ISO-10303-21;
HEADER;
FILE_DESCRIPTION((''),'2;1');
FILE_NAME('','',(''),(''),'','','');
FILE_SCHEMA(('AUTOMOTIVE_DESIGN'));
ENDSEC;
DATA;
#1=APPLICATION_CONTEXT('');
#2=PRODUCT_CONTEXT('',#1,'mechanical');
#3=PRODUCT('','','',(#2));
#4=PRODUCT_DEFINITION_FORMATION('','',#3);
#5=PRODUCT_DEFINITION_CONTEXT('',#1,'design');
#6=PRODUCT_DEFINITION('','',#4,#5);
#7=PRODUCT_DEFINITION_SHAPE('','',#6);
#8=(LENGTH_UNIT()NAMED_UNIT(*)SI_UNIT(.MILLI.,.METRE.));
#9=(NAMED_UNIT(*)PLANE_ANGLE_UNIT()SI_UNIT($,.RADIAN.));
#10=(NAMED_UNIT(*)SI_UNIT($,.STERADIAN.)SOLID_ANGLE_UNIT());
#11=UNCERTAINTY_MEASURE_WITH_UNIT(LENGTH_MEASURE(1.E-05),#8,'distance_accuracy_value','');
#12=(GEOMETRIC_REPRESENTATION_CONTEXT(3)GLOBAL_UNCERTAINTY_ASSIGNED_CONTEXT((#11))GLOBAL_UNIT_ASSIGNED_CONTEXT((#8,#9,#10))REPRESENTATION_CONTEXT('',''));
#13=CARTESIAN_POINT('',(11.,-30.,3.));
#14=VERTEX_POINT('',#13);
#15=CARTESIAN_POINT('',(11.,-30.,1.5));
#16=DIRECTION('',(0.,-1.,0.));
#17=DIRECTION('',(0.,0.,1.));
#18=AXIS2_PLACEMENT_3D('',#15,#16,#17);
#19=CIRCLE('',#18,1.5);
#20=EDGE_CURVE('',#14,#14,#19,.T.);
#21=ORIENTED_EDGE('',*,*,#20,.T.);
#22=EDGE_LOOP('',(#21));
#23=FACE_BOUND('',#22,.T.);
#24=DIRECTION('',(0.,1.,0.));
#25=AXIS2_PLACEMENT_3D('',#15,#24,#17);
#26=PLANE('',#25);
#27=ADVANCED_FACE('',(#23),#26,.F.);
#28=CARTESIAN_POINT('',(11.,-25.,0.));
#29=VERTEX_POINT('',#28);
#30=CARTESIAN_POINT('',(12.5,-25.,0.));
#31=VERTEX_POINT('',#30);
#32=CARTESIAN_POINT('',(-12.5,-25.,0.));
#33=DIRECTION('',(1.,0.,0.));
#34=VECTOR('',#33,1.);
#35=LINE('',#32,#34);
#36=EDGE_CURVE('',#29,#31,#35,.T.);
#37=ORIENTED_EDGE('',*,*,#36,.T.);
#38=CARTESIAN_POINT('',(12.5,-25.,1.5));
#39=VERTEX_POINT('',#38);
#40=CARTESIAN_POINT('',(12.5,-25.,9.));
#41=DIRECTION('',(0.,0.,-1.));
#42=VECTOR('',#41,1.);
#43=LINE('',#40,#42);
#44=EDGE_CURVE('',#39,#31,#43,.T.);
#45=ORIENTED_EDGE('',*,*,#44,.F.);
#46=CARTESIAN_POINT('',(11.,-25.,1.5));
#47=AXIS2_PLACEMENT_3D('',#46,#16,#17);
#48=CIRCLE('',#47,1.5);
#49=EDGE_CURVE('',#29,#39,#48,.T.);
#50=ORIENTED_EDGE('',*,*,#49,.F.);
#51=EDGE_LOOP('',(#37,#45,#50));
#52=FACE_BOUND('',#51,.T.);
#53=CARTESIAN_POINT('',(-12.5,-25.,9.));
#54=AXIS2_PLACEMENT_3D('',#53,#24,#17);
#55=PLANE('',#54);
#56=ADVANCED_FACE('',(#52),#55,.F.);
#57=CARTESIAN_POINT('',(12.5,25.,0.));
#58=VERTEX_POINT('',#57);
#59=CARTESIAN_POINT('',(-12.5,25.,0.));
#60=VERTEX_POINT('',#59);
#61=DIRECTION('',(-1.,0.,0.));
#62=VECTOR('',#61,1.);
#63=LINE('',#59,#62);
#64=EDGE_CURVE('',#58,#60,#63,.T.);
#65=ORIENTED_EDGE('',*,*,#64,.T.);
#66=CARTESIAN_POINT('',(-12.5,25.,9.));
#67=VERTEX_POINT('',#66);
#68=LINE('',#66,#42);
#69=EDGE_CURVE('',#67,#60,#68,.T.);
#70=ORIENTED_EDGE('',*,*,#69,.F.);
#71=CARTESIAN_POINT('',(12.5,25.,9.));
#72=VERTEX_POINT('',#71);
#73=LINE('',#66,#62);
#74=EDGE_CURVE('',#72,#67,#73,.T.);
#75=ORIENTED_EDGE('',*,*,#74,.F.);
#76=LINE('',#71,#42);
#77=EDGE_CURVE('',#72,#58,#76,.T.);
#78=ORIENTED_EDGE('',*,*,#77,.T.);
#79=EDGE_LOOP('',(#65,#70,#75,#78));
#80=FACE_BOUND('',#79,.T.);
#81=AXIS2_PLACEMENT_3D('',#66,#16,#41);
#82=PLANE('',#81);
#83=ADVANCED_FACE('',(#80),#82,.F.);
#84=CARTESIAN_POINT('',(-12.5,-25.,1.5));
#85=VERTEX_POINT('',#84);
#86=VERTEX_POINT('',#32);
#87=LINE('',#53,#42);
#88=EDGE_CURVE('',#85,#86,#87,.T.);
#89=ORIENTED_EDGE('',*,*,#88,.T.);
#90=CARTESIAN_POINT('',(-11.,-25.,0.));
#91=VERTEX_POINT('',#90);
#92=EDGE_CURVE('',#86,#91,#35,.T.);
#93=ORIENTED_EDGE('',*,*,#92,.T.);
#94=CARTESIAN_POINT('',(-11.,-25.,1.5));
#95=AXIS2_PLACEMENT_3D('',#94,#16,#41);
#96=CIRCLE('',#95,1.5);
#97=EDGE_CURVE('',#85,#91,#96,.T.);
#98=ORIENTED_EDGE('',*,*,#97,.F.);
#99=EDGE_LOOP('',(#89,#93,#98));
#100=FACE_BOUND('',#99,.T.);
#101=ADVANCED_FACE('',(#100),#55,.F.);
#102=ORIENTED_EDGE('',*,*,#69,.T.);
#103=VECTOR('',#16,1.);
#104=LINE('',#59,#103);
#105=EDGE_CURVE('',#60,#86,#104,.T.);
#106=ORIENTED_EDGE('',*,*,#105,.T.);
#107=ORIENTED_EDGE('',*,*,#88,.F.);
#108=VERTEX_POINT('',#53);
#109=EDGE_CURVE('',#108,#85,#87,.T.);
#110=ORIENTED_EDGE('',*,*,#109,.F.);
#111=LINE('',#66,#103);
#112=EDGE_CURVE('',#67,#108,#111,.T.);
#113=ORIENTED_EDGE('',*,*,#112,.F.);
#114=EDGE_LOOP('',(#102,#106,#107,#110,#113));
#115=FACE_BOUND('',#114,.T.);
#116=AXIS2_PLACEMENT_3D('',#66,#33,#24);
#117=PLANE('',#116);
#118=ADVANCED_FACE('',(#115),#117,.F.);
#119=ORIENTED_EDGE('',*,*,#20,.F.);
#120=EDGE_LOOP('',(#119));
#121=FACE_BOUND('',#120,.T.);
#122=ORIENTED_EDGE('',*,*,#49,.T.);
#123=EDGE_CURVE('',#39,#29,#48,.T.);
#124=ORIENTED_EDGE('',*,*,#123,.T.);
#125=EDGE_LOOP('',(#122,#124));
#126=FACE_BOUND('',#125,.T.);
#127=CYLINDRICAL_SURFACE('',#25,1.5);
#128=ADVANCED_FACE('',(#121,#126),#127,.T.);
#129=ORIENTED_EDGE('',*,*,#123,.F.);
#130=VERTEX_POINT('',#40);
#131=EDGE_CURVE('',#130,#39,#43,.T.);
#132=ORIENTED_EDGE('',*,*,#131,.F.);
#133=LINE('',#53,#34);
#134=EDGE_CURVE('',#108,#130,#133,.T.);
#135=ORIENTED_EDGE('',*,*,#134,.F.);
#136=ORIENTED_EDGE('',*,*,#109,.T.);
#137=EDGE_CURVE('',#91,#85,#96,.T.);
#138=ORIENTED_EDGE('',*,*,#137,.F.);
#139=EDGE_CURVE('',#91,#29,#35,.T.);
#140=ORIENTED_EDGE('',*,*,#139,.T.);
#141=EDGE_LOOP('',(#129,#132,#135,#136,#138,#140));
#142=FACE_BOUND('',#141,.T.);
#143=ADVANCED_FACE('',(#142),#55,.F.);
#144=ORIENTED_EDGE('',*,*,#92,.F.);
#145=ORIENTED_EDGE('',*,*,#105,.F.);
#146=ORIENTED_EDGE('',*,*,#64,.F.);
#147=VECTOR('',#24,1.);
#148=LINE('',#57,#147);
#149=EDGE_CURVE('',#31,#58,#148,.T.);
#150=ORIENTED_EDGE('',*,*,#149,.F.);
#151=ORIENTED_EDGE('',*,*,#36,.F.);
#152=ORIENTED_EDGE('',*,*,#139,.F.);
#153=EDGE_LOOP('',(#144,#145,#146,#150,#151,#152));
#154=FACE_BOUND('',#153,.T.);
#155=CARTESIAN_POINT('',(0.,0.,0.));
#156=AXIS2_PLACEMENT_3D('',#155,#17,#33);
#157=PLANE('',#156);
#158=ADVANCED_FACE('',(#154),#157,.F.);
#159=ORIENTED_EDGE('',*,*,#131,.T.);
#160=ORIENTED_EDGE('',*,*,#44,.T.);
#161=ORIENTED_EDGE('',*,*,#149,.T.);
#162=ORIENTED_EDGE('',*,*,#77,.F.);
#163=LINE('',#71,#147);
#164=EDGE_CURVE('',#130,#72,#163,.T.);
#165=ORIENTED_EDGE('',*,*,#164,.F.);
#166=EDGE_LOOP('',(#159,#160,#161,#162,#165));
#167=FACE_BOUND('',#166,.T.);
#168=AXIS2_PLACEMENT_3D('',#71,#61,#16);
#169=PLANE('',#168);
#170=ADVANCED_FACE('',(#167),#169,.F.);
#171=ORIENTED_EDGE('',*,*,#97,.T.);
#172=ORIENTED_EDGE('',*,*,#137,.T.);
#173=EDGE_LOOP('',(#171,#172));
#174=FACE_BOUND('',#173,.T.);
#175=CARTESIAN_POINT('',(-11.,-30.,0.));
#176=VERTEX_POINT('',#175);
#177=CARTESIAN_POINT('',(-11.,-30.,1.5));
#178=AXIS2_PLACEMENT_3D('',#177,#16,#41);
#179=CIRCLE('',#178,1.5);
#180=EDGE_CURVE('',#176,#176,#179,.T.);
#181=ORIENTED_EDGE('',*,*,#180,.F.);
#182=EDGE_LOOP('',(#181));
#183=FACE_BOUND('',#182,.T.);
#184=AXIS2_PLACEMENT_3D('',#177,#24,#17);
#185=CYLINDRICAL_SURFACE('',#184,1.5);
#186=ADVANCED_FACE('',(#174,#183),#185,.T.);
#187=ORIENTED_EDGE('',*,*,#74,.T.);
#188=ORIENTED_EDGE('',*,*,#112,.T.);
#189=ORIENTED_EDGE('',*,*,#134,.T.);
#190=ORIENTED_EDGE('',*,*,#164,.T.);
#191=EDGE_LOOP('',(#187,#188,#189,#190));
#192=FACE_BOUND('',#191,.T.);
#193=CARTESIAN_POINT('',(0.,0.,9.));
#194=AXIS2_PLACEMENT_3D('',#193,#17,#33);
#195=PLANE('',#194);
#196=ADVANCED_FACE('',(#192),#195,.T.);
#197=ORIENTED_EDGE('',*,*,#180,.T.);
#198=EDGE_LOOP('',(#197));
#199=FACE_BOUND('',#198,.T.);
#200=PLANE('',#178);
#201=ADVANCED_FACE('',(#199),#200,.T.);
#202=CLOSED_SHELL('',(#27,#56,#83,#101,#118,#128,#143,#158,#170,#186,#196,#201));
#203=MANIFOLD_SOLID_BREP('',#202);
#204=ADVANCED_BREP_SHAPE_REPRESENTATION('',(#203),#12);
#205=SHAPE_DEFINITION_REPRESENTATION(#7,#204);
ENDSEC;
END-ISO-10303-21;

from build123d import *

# Parameters (mm, degrees)
SKETCH_1_W      = 25
SKETCH_1_H      = 50
EXTRUDE_1_DEPTH = 9
SKETCH_2_R      = 1.5
EXTRUDE_3_DEPTH = 5


with BuildPart() as part:
    # 草图1 → 凸台-拉伸1 (new body)
    with BuildSketch(Plane.XY):
        Rectangle(SKETCH_1_W, SKETCH_1_H)
    extrude(amount=EXTRUDE_1_DEPTH)

    # 草图2 → 凸台-拉伸3 (add)
    with BuildSketch(Plane.XZ.offset(25)):
        with Locations(Location((-11, 1.5, 0), (0, 0, 270))):
            Circle(SKETCH_2_R)
        with Locations(Location((11, 1.5, 0), (0, 0, 90))):
            Circle(SKETCH_2_R)
    extrude(amount=EXTRUDE_3_DEPTH)


solid = part.part
